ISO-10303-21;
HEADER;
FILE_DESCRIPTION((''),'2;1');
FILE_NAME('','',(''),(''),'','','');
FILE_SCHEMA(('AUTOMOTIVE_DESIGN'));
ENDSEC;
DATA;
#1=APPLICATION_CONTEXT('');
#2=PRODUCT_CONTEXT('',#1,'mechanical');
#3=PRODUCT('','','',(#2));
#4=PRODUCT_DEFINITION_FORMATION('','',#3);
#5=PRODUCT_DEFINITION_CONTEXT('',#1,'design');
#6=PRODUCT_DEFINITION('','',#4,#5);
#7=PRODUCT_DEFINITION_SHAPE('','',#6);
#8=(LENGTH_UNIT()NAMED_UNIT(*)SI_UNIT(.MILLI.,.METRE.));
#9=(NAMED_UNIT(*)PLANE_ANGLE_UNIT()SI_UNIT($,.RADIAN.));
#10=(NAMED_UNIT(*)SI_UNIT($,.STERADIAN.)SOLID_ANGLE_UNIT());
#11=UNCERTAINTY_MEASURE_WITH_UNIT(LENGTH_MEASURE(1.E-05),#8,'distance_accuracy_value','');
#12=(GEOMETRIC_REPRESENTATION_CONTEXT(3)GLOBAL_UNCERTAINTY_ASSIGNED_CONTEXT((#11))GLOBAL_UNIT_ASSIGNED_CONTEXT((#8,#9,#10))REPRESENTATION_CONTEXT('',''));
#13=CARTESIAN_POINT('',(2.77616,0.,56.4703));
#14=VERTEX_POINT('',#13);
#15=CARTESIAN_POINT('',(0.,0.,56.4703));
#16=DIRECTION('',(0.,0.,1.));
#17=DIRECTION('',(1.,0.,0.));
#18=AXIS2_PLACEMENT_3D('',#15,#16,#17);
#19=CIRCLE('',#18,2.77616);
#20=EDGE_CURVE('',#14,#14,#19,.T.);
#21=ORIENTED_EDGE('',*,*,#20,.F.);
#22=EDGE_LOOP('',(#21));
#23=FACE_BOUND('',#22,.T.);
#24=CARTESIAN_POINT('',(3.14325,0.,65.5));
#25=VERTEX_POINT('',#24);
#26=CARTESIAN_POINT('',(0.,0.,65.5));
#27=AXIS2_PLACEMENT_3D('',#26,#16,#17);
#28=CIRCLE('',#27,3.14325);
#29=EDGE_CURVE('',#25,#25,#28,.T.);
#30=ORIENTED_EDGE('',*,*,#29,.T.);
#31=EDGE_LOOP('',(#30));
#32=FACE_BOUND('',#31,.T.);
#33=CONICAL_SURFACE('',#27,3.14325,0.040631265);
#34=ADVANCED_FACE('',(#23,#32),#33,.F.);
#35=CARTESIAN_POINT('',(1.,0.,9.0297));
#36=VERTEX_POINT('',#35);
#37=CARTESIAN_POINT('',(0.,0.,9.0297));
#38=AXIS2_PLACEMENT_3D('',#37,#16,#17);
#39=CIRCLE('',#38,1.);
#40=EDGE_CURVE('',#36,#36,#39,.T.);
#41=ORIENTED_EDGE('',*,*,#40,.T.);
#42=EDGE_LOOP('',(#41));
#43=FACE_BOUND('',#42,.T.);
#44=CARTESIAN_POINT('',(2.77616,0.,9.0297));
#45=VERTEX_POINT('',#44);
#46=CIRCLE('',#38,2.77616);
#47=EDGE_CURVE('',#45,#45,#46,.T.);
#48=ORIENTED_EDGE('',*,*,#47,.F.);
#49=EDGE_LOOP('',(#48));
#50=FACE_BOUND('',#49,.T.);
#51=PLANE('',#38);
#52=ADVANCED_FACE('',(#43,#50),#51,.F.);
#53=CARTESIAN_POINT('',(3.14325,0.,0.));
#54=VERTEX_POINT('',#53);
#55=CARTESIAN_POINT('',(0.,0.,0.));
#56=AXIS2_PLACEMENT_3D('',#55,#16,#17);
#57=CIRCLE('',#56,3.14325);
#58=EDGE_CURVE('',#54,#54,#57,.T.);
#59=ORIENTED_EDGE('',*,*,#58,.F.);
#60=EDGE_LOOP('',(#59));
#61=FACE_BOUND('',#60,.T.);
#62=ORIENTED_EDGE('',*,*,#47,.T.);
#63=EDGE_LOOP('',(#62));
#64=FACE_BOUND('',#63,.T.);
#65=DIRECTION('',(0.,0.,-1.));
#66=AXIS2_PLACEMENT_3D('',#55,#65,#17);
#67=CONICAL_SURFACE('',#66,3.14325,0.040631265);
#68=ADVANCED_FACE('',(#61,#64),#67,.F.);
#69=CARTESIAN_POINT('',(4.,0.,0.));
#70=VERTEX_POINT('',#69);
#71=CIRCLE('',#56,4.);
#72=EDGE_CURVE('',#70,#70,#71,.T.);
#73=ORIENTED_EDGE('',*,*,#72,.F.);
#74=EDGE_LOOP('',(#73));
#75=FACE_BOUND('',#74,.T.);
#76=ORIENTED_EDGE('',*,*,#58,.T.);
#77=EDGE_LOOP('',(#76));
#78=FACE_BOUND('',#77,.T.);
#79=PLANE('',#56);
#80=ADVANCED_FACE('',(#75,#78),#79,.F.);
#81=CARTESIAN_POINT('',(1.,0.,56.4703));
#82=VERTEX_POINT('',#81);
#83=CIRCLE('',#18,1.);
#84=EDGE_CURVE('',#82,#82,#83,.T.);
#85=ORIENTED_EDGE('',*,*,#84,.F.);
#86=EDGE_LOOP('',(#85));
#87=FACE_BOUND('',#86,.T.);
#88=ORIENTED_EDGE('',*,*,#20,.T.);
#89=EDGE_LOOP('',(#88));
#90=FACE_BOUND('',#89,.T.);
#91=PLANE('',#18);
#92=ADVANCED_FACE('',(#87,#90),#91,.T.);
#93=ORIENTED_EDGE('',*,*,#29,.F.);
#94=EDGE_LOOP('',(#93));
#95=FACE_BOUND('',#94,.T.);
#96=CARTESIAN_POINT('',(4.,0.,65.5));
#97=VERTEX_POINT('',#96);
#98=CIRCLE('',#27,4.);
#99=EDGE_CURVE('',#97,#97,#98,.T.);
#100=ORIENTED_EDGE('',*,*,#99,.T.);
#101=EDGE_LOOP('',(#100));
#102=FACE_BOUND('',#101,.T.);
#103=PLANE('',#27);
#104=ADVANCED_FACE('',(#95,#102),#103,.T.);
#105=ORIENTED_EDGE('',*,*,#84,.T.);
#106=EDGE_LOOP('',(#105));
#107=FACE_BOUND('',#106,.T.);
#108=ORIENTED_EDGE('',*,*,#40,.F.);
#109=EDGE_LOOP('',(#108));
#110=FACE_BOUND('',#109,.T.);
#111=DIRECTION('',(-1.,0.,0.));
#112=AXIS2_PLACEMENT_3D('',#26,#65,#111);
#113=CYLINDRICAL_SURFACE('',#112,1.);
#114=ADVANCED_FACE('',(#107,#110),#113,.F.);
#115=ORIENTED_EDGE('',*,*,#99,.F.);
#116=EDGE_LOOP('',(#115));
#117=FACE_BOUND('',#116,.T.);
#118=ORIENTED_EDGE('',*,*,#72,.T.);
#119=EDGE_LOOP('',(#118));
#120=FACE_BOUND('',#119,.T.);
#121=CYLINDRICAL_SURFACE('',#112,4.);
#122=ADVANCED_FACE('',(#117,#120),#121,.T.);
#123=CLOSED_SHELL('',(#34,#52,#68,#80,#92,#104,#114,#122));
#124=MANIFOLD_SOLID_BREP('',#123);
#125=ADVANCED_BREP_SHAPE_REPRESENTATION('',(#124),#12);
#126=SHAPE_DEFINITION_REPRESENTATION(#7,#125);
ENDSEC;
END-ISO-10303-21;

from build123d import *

# Parameters (mm, degrees)
SKETCH1_R           = 4
BOSS_EXTRUDE1_DEPTH = 65.5
SKETCH2_R           = 1
CUT_EXTRUDE1_DEPTH  = 66.5
SKETCH3_R           = 3.14325
CUT_EXTRUDE2_DEPTH  = 9.0297
CUT_EXTRUDE2_TAPER  = 2.328
SKETCH4_R           = 3.14325
CUT_EXTRUDE3_DEPTH  = 9.0297
CUT_EXTRUDE3_TAPER  = 2.328


with BuildPart() as part:
    # Sketch1 → Boss-Extrude1 (new body)
    with BuildSketch(Plane.XY):
        Circle(SKETCH1_R)
    extrude(amount=BOSS_EXTRUDE1_DEPTH)

    # Sketch2 → Cut-Extrude1 (cut, through all)
    with BuildSketch(Plane.XY):
        Circle(SKETCH2_R)
    extrude(amount=CUT_EXTRUDE1_DEPTH, mode=Mode.SUBTRACT)

    # Sketch3 → Cut-Extrude2 (cut)
    with BuildSketch(Plane.XY):
        Circle(SKETCH3_R)
    extrude(amount=CUT_EXTRUDE2_DEPTH, taper=CUT_EXTRUDE2_TAPER, mode=Mode.SUBTRACT)

    # Sketch4 → Cut-Extrude3 (cut)
    with BuildSketch(Plane.XY.offset(65.5)):
        Circle(SKETCH4_R)
    extrude(amount=-CUT_EXTRUDE3_DEPTH, taper=CUT_EXTRUDE3_TAPER, mode=Mode.SUBTRACT)


solid = part.part
